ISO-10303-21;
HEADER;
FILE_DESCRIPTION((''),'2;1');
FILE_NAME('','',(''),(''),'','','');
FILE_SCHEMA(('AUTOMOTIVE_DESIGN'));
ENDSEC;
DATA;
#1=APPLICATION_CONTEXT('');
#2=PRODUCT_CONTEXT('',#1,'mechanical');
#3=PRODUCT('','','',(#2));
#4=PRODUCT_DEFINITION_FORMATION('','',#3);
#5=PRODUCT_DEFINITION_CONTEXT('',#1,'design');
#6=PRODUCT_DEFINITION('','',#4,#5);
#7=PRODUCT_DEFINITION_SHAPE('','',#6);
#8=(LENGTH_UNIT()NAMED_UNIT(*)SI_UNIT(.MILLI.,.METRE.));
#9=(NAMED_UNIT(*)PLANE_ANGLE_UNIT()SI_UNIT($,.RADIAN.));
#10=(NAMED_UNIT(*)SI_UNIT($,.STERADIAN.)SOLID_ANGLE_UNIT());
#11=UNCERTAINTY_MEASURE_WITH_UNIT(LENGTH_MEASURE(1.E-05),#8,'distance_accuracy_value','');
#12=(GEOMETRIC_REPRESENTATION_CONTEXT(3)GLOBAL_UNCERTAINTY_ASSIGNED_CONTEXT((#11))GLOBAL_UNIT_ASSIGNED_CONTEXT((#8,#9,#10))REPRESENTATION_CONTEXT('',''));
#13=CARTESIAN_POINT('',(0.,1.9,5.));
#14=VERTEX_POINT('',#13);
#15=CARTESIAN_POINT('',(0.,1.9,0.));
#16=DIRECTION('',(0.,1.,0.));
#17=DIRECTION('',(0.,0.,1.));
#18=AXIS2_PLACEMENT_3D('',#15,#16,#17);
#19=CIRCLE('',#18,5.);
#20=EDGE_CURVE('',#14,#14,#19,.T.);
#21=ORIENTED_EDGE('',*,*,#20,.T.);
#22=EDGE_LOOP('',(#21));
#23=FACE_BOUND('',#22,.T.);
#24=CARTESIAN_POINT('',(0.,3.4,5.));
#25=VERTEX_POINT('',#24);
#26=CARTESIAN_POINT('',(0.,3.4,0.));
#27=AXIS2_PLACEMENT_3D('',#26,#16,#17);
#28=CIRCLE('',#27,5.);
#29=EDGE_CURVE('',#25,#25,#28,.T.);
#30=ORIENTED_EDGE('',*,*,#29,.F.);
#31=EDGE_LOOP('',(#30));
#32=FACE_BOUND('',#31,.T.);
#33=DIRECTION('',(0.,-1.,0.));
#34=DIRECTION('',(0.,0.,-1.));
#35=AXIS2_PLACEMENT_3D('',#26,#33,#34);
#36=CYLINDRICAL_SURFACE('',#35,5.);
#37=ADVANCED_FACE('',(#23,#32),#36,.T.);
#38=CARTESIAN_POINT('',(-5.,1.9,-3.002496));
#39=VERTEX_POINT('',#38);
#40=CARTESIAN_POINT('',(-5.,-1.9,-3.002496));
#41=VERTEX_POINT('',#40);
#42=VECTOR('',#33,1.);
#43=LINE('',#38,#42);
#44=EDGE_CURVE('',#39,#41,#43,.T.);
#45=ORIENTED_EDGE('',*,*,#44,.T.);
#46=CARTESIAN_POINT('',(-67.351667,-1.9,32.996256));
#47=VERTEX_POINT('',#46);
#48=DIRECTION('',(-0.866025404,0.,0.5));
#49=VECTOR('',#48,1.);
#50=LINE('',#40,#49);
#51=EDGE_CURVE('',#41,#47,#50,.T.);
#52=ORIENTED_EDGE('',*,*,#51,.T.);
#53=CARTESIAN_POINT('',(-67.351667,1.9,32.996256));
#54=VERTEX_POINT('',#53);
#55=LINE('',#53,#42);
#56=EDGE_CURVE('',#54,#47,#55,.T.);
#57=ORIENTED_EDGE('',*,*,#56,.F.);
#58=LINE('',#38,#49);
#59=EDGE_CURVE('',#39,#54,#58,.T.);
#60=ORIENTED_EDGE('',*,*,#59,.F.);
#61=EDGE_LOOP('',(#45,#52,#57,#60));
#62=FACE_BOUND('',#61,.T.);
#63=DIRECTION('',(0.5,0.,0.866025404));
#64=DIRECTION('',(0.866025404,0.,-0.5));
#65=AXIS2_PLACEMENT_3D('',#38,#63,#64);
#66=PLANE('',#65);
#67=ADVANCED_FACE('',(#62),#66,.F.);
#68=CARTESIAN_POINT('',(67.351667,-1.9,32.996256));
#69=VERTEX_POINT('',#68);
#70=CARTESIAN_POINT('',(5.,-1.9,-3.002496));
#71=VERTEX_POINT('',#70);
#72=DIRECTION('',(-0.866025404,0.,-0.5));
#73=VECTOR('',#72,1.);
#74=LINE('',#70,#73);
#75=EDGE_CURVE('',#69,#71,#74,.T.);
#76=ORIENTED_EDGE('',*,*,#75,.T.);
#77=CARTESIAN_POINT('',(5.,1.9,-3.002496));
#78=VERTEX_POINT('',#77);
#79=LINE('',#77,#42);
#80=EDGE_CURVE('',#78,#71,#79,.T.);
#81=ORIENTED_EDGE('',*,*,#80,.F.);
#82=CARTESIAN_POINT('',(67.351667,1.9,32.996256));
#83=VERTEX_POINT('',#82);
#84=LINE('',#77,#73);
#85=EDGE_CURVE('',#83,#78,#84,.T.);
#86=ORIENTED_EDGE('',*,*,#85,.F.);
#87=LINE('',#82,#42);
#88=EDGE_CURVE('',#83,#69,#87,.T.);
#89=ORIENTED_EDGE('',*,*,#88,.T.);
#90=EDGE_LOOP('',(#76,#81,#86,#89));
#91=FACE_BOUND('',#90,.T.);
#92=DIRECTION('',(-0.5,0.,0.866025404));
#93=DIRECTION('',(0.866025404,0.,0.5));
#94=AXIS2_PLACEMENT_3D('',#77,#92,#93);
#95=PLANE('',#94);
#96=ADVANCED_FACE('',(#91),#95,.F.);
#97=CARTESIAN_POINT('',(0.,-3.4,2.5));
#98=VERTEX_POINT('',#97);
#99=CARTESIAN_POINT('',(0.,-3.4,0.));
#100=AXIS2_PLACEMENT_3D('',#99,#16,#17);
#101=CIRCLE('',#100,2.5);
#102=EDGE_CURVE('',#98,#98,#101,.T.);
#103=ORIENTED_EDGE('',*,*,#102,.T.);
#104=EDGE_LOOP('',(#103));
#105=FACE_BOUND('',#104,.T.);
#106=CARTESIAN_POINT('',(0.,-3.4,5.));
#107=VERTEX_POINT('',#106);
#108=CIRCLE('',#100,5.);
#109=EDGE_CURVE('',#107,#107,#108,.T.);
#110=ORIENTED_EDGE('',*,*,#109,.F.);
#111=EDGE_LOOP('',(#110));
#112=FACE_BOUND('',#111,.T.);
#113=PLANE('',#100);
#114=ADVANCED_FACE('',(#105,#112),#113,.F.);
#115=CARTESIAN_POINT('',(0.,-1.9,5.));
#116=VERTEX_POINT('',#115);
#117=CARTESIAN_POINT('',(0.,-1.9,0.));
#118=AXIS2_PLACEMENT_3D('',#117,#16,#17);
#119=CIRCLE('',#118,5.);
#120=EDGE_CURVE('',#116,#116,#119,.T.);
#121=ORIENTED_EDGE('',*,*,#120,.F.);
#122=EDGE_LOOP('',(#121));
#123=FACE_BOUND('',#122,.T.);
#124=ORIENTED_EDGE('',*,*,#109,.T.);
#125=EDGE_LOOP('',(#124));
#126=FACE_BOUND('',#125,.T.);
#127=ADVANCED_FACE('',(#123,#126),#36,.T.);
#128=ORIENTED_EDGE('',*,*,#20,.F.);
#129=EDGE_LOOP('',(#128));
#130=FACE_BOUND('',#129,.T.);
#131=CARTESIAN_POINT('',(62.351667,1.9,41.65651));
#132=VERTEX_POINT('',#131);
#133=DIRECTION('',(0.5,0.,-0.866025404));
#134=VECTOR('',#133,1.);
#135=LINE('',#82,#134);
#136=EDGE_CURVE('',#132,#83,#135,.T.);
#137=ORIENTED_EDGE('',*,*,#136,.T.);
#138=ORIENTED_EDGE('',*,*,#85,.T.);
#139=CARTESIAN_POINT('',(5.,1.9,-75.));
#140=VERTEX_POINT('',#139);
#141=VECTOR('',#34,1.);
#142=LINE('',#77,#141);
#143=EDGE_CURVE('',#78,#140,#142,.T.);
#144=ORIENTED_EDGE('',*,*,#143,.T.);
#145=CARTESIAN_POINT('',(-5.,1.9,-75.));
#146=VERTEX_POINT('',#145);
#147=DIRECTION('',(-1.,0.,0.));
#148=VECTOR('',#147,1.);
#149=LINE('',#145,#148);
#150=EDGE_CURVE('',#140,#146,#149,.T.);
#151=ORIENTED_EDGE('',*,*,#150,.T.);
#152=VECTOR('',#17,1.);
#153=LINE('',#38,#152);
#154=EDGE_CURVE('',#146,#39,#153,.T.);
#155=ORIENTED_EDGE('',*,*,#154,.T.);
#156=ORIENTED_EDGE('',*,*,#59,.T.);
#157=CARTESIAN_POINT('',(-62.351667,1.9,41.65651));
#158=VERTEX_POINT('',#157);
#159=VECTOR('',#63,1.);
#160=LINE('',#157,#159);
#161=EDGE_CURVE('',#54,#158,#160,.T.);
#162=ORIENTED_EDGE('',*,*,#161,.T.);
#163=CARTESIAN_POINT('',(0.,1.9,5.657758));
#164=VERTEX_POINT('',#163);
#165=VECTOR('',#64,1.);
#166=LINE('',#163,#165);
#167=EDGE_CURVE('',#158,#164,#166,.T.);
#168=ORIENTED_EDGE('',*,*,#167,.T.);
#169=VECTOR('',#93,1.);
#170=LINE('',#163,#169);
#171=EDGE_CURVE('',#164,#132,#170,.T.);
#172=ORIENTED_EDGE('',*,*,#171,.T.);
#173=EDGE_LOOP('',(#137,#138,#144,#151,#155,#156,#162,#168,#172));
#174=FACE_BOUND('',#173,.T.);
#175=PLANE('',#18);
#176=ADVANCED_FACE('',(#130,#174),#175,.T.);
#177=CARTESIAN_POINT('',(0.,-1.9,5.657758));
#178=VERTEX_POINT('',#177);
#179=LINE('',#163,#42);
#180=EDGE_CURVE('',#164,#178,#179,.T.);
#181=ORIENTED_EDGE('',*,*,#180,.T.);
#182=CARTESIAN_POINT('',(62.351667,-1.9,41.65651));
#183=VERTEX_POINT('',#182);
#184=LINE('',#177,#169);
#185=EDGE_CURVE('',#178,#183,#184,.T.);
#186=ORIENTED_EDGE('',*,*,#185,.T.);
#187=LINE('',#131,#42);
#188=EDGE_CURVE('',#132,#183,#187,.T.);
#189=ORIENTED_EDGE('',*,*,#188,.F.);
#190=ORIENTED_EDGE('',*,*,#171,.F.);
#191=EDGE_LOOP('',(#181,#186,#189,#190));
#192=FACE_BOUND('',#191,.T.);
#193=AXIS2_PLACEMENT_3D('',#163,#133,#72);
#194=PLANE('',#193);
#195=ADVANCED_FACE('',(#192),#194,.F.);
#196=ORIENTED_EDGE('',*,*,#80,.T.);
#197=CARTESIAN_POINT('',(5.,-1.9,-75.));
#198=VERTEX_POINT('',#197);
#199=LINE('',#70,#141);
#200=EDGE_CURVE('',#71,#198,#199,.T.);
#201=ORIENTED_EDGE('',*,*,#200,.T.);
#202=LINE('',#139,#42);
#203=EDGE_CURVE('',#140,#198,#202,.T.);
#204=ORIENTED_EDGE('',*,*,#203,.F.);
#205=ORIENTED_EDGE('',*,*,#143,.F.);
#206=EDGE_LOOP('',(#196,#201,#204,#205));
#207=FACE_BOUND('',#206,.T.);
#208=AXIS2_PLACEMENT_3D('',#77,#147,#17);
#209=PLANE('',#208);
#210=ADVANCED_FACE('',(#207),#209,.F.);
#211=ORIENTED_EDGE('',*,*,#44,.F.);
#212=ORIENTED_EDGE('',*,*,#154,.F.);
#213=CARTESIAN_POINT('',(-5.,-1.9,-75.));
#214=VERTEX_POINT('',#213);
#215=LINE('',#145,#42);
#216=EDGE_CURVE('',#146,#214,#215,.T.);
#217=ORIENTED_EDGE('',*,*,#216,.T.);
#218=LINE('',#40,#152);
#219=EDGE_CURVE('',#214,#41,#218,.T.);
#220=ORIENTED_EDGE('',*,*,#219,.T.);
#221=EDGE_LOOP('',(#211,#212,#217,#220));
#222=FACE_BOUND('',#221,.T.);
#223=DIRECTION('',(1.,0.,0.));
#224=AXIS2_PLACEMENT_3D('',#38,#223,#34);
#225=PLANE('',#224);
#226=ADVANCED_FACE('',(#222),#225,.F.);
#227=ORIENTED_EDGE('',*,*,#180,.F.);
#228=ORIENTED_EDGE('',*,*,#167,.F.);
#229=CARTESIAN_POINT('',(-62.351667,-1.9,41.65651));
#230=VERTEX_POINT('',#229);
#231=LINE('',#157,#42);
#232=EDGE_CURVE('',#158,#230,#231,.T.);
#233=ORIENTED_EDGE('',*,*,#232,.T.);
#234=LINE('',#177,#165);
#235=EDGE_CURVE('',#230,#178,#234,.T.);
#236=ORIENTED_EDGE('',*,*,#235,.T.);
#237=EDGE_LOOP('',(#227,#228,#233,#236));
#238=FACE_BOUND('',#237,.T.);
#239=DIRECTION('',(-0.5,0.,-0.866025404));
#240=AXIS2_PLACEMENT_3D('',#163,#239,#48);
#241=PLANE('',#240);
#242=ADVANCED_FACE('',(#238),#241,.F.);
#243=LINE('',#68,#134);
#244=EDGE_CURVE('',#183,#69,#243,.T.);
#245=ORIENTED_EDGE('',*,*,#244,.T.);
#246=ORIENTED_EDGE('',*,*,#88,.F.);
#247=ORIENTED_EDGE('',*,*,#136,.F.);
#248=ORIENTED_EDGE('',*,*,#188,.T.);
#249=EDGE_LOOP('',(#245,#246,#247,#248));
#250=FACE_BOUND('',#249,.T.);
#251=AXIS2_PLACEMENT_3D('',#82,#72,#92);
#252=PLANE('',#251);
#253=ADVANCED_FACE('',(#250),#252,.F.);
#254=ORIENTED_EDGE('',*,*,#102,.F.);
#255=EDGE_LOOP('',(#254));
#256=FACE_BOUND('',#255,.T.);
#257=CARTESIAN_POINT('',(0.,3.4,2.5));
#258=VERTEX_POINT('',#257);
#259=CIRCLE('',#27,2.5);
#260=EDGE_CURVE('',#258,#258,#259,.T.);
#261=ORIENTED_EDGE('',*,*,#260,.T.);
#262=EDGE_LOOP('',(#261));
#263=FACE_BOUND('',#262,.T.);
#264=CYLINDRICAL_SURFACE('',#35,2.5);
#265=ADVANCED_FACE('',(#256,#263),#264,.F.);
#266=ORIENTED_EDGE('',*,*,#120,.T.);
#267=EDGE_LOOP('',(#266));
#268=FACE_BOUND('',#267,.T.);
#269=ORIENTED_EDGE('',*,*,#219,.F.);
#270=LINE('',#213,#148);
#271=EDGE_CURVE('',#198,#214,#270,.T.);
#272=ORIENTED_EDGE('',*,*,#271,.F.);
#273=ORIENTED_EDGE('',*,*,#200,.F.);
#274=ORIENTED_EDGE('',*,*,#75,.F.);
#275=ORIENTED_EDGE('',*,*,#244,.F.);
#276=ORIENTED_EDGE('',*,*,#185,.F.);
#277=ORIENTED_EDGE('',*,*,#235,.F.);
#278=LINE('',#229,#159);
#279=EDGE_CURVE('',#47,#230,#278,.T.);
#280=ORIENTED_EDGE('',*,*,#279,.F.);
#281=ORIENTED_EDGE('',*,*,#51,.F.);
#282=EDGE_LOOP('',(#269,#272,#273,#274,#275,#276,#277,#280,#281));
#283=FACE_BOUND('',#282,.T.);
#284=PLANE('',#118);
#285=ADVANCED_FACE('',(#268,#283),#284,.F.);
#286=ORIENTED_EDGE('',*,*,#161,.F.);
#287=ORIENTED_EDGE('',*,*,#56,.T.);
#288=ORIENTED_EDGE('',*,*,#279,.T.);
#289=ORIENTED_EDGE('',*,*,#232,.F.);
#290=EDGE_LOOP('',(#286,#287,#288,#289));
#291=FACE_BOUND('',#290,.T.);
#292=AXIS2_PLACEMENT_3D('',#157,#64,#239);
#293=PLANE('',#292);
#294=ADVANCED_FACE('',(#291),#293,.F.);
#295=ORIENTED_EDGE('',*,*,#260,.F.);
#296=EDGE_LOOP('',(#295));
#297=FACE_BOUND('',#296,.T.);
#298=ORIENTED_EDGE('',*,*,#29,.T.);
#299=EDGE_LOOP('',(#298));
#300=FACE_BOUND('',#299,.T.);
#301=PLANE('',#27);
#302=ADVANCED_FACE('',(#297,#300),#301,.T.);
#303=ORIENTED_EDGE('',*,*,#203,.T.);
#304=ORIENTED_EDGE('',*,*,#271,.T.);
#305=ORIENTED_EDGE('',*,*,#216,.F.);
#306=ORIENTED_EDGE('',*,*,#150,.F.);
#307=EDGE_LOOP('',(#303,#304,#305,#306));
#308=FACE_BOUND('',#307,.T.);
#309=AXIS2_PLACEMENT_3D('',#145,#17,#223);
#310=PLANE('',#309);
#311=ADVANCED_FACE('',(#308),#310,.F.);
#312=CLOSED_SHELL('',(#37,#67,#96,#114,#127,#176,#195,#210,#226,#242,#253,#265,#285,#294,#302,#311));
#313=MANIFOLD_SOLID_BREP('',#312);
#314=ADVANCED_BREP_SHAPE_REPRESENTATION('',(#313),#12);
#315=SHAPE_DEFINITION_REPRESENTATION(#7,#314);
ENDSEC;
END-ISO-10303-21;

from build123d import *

# Parameters (mm, degrees)
SKETCH_1_R      = 5
SKETCH_1_R_2    = 2.5
EXTRUDE_1_DEPTH = 3.4
SKETCH_2_R      = 5
EXTRUDE_2_DEPTH = 1.9


with BuildPart() as part:
    # 草图1 → 凸台-拉伸1 (new, symmetric)
    with BuildSketch(Plane(origin=(0, 0, 0), x_dir=(1, 0, 0), z_dir=(0, 1, 0))):
        with Locations(Location((0, 0, 0), (0, 0, 270))):
            Circle(SKETCH_1_R)
        with Locations(Location((0, 0, 0), (0, 0, 270))):
            Circle(SKETCH_1_R_2, mode=Mode.SUBTRACT)
    extrude(amount=EXTRUDE_1_DEPTH, both=True)

    # 草图2 → 凸台-拉伸2 (add, symmetric)
    with BuildSketch(Plane(origin=(0, 0, 0), x_dir=(1, 0, 0), z_dir=(0, 1, 0))):
        Polygon((5, 3.002496099), (5, 75), (-5, 75), (-5, 3.002496099), (-67.351667387, -32.996255851), (-62.351667387, -41.656509889), (0, -5.657757939), (62.351667387, -41.656509889), (67.351667387, -32.996255851), align=None)
        with Locations(Location((0, 0, 0), (0, 0, 270))):
            Circle(SKETCH_2_R, mode=Mode.SUBTRACT)
    extrude(amount=EXTRUDE_2_DEPTH, both=True)


solid = part.part
